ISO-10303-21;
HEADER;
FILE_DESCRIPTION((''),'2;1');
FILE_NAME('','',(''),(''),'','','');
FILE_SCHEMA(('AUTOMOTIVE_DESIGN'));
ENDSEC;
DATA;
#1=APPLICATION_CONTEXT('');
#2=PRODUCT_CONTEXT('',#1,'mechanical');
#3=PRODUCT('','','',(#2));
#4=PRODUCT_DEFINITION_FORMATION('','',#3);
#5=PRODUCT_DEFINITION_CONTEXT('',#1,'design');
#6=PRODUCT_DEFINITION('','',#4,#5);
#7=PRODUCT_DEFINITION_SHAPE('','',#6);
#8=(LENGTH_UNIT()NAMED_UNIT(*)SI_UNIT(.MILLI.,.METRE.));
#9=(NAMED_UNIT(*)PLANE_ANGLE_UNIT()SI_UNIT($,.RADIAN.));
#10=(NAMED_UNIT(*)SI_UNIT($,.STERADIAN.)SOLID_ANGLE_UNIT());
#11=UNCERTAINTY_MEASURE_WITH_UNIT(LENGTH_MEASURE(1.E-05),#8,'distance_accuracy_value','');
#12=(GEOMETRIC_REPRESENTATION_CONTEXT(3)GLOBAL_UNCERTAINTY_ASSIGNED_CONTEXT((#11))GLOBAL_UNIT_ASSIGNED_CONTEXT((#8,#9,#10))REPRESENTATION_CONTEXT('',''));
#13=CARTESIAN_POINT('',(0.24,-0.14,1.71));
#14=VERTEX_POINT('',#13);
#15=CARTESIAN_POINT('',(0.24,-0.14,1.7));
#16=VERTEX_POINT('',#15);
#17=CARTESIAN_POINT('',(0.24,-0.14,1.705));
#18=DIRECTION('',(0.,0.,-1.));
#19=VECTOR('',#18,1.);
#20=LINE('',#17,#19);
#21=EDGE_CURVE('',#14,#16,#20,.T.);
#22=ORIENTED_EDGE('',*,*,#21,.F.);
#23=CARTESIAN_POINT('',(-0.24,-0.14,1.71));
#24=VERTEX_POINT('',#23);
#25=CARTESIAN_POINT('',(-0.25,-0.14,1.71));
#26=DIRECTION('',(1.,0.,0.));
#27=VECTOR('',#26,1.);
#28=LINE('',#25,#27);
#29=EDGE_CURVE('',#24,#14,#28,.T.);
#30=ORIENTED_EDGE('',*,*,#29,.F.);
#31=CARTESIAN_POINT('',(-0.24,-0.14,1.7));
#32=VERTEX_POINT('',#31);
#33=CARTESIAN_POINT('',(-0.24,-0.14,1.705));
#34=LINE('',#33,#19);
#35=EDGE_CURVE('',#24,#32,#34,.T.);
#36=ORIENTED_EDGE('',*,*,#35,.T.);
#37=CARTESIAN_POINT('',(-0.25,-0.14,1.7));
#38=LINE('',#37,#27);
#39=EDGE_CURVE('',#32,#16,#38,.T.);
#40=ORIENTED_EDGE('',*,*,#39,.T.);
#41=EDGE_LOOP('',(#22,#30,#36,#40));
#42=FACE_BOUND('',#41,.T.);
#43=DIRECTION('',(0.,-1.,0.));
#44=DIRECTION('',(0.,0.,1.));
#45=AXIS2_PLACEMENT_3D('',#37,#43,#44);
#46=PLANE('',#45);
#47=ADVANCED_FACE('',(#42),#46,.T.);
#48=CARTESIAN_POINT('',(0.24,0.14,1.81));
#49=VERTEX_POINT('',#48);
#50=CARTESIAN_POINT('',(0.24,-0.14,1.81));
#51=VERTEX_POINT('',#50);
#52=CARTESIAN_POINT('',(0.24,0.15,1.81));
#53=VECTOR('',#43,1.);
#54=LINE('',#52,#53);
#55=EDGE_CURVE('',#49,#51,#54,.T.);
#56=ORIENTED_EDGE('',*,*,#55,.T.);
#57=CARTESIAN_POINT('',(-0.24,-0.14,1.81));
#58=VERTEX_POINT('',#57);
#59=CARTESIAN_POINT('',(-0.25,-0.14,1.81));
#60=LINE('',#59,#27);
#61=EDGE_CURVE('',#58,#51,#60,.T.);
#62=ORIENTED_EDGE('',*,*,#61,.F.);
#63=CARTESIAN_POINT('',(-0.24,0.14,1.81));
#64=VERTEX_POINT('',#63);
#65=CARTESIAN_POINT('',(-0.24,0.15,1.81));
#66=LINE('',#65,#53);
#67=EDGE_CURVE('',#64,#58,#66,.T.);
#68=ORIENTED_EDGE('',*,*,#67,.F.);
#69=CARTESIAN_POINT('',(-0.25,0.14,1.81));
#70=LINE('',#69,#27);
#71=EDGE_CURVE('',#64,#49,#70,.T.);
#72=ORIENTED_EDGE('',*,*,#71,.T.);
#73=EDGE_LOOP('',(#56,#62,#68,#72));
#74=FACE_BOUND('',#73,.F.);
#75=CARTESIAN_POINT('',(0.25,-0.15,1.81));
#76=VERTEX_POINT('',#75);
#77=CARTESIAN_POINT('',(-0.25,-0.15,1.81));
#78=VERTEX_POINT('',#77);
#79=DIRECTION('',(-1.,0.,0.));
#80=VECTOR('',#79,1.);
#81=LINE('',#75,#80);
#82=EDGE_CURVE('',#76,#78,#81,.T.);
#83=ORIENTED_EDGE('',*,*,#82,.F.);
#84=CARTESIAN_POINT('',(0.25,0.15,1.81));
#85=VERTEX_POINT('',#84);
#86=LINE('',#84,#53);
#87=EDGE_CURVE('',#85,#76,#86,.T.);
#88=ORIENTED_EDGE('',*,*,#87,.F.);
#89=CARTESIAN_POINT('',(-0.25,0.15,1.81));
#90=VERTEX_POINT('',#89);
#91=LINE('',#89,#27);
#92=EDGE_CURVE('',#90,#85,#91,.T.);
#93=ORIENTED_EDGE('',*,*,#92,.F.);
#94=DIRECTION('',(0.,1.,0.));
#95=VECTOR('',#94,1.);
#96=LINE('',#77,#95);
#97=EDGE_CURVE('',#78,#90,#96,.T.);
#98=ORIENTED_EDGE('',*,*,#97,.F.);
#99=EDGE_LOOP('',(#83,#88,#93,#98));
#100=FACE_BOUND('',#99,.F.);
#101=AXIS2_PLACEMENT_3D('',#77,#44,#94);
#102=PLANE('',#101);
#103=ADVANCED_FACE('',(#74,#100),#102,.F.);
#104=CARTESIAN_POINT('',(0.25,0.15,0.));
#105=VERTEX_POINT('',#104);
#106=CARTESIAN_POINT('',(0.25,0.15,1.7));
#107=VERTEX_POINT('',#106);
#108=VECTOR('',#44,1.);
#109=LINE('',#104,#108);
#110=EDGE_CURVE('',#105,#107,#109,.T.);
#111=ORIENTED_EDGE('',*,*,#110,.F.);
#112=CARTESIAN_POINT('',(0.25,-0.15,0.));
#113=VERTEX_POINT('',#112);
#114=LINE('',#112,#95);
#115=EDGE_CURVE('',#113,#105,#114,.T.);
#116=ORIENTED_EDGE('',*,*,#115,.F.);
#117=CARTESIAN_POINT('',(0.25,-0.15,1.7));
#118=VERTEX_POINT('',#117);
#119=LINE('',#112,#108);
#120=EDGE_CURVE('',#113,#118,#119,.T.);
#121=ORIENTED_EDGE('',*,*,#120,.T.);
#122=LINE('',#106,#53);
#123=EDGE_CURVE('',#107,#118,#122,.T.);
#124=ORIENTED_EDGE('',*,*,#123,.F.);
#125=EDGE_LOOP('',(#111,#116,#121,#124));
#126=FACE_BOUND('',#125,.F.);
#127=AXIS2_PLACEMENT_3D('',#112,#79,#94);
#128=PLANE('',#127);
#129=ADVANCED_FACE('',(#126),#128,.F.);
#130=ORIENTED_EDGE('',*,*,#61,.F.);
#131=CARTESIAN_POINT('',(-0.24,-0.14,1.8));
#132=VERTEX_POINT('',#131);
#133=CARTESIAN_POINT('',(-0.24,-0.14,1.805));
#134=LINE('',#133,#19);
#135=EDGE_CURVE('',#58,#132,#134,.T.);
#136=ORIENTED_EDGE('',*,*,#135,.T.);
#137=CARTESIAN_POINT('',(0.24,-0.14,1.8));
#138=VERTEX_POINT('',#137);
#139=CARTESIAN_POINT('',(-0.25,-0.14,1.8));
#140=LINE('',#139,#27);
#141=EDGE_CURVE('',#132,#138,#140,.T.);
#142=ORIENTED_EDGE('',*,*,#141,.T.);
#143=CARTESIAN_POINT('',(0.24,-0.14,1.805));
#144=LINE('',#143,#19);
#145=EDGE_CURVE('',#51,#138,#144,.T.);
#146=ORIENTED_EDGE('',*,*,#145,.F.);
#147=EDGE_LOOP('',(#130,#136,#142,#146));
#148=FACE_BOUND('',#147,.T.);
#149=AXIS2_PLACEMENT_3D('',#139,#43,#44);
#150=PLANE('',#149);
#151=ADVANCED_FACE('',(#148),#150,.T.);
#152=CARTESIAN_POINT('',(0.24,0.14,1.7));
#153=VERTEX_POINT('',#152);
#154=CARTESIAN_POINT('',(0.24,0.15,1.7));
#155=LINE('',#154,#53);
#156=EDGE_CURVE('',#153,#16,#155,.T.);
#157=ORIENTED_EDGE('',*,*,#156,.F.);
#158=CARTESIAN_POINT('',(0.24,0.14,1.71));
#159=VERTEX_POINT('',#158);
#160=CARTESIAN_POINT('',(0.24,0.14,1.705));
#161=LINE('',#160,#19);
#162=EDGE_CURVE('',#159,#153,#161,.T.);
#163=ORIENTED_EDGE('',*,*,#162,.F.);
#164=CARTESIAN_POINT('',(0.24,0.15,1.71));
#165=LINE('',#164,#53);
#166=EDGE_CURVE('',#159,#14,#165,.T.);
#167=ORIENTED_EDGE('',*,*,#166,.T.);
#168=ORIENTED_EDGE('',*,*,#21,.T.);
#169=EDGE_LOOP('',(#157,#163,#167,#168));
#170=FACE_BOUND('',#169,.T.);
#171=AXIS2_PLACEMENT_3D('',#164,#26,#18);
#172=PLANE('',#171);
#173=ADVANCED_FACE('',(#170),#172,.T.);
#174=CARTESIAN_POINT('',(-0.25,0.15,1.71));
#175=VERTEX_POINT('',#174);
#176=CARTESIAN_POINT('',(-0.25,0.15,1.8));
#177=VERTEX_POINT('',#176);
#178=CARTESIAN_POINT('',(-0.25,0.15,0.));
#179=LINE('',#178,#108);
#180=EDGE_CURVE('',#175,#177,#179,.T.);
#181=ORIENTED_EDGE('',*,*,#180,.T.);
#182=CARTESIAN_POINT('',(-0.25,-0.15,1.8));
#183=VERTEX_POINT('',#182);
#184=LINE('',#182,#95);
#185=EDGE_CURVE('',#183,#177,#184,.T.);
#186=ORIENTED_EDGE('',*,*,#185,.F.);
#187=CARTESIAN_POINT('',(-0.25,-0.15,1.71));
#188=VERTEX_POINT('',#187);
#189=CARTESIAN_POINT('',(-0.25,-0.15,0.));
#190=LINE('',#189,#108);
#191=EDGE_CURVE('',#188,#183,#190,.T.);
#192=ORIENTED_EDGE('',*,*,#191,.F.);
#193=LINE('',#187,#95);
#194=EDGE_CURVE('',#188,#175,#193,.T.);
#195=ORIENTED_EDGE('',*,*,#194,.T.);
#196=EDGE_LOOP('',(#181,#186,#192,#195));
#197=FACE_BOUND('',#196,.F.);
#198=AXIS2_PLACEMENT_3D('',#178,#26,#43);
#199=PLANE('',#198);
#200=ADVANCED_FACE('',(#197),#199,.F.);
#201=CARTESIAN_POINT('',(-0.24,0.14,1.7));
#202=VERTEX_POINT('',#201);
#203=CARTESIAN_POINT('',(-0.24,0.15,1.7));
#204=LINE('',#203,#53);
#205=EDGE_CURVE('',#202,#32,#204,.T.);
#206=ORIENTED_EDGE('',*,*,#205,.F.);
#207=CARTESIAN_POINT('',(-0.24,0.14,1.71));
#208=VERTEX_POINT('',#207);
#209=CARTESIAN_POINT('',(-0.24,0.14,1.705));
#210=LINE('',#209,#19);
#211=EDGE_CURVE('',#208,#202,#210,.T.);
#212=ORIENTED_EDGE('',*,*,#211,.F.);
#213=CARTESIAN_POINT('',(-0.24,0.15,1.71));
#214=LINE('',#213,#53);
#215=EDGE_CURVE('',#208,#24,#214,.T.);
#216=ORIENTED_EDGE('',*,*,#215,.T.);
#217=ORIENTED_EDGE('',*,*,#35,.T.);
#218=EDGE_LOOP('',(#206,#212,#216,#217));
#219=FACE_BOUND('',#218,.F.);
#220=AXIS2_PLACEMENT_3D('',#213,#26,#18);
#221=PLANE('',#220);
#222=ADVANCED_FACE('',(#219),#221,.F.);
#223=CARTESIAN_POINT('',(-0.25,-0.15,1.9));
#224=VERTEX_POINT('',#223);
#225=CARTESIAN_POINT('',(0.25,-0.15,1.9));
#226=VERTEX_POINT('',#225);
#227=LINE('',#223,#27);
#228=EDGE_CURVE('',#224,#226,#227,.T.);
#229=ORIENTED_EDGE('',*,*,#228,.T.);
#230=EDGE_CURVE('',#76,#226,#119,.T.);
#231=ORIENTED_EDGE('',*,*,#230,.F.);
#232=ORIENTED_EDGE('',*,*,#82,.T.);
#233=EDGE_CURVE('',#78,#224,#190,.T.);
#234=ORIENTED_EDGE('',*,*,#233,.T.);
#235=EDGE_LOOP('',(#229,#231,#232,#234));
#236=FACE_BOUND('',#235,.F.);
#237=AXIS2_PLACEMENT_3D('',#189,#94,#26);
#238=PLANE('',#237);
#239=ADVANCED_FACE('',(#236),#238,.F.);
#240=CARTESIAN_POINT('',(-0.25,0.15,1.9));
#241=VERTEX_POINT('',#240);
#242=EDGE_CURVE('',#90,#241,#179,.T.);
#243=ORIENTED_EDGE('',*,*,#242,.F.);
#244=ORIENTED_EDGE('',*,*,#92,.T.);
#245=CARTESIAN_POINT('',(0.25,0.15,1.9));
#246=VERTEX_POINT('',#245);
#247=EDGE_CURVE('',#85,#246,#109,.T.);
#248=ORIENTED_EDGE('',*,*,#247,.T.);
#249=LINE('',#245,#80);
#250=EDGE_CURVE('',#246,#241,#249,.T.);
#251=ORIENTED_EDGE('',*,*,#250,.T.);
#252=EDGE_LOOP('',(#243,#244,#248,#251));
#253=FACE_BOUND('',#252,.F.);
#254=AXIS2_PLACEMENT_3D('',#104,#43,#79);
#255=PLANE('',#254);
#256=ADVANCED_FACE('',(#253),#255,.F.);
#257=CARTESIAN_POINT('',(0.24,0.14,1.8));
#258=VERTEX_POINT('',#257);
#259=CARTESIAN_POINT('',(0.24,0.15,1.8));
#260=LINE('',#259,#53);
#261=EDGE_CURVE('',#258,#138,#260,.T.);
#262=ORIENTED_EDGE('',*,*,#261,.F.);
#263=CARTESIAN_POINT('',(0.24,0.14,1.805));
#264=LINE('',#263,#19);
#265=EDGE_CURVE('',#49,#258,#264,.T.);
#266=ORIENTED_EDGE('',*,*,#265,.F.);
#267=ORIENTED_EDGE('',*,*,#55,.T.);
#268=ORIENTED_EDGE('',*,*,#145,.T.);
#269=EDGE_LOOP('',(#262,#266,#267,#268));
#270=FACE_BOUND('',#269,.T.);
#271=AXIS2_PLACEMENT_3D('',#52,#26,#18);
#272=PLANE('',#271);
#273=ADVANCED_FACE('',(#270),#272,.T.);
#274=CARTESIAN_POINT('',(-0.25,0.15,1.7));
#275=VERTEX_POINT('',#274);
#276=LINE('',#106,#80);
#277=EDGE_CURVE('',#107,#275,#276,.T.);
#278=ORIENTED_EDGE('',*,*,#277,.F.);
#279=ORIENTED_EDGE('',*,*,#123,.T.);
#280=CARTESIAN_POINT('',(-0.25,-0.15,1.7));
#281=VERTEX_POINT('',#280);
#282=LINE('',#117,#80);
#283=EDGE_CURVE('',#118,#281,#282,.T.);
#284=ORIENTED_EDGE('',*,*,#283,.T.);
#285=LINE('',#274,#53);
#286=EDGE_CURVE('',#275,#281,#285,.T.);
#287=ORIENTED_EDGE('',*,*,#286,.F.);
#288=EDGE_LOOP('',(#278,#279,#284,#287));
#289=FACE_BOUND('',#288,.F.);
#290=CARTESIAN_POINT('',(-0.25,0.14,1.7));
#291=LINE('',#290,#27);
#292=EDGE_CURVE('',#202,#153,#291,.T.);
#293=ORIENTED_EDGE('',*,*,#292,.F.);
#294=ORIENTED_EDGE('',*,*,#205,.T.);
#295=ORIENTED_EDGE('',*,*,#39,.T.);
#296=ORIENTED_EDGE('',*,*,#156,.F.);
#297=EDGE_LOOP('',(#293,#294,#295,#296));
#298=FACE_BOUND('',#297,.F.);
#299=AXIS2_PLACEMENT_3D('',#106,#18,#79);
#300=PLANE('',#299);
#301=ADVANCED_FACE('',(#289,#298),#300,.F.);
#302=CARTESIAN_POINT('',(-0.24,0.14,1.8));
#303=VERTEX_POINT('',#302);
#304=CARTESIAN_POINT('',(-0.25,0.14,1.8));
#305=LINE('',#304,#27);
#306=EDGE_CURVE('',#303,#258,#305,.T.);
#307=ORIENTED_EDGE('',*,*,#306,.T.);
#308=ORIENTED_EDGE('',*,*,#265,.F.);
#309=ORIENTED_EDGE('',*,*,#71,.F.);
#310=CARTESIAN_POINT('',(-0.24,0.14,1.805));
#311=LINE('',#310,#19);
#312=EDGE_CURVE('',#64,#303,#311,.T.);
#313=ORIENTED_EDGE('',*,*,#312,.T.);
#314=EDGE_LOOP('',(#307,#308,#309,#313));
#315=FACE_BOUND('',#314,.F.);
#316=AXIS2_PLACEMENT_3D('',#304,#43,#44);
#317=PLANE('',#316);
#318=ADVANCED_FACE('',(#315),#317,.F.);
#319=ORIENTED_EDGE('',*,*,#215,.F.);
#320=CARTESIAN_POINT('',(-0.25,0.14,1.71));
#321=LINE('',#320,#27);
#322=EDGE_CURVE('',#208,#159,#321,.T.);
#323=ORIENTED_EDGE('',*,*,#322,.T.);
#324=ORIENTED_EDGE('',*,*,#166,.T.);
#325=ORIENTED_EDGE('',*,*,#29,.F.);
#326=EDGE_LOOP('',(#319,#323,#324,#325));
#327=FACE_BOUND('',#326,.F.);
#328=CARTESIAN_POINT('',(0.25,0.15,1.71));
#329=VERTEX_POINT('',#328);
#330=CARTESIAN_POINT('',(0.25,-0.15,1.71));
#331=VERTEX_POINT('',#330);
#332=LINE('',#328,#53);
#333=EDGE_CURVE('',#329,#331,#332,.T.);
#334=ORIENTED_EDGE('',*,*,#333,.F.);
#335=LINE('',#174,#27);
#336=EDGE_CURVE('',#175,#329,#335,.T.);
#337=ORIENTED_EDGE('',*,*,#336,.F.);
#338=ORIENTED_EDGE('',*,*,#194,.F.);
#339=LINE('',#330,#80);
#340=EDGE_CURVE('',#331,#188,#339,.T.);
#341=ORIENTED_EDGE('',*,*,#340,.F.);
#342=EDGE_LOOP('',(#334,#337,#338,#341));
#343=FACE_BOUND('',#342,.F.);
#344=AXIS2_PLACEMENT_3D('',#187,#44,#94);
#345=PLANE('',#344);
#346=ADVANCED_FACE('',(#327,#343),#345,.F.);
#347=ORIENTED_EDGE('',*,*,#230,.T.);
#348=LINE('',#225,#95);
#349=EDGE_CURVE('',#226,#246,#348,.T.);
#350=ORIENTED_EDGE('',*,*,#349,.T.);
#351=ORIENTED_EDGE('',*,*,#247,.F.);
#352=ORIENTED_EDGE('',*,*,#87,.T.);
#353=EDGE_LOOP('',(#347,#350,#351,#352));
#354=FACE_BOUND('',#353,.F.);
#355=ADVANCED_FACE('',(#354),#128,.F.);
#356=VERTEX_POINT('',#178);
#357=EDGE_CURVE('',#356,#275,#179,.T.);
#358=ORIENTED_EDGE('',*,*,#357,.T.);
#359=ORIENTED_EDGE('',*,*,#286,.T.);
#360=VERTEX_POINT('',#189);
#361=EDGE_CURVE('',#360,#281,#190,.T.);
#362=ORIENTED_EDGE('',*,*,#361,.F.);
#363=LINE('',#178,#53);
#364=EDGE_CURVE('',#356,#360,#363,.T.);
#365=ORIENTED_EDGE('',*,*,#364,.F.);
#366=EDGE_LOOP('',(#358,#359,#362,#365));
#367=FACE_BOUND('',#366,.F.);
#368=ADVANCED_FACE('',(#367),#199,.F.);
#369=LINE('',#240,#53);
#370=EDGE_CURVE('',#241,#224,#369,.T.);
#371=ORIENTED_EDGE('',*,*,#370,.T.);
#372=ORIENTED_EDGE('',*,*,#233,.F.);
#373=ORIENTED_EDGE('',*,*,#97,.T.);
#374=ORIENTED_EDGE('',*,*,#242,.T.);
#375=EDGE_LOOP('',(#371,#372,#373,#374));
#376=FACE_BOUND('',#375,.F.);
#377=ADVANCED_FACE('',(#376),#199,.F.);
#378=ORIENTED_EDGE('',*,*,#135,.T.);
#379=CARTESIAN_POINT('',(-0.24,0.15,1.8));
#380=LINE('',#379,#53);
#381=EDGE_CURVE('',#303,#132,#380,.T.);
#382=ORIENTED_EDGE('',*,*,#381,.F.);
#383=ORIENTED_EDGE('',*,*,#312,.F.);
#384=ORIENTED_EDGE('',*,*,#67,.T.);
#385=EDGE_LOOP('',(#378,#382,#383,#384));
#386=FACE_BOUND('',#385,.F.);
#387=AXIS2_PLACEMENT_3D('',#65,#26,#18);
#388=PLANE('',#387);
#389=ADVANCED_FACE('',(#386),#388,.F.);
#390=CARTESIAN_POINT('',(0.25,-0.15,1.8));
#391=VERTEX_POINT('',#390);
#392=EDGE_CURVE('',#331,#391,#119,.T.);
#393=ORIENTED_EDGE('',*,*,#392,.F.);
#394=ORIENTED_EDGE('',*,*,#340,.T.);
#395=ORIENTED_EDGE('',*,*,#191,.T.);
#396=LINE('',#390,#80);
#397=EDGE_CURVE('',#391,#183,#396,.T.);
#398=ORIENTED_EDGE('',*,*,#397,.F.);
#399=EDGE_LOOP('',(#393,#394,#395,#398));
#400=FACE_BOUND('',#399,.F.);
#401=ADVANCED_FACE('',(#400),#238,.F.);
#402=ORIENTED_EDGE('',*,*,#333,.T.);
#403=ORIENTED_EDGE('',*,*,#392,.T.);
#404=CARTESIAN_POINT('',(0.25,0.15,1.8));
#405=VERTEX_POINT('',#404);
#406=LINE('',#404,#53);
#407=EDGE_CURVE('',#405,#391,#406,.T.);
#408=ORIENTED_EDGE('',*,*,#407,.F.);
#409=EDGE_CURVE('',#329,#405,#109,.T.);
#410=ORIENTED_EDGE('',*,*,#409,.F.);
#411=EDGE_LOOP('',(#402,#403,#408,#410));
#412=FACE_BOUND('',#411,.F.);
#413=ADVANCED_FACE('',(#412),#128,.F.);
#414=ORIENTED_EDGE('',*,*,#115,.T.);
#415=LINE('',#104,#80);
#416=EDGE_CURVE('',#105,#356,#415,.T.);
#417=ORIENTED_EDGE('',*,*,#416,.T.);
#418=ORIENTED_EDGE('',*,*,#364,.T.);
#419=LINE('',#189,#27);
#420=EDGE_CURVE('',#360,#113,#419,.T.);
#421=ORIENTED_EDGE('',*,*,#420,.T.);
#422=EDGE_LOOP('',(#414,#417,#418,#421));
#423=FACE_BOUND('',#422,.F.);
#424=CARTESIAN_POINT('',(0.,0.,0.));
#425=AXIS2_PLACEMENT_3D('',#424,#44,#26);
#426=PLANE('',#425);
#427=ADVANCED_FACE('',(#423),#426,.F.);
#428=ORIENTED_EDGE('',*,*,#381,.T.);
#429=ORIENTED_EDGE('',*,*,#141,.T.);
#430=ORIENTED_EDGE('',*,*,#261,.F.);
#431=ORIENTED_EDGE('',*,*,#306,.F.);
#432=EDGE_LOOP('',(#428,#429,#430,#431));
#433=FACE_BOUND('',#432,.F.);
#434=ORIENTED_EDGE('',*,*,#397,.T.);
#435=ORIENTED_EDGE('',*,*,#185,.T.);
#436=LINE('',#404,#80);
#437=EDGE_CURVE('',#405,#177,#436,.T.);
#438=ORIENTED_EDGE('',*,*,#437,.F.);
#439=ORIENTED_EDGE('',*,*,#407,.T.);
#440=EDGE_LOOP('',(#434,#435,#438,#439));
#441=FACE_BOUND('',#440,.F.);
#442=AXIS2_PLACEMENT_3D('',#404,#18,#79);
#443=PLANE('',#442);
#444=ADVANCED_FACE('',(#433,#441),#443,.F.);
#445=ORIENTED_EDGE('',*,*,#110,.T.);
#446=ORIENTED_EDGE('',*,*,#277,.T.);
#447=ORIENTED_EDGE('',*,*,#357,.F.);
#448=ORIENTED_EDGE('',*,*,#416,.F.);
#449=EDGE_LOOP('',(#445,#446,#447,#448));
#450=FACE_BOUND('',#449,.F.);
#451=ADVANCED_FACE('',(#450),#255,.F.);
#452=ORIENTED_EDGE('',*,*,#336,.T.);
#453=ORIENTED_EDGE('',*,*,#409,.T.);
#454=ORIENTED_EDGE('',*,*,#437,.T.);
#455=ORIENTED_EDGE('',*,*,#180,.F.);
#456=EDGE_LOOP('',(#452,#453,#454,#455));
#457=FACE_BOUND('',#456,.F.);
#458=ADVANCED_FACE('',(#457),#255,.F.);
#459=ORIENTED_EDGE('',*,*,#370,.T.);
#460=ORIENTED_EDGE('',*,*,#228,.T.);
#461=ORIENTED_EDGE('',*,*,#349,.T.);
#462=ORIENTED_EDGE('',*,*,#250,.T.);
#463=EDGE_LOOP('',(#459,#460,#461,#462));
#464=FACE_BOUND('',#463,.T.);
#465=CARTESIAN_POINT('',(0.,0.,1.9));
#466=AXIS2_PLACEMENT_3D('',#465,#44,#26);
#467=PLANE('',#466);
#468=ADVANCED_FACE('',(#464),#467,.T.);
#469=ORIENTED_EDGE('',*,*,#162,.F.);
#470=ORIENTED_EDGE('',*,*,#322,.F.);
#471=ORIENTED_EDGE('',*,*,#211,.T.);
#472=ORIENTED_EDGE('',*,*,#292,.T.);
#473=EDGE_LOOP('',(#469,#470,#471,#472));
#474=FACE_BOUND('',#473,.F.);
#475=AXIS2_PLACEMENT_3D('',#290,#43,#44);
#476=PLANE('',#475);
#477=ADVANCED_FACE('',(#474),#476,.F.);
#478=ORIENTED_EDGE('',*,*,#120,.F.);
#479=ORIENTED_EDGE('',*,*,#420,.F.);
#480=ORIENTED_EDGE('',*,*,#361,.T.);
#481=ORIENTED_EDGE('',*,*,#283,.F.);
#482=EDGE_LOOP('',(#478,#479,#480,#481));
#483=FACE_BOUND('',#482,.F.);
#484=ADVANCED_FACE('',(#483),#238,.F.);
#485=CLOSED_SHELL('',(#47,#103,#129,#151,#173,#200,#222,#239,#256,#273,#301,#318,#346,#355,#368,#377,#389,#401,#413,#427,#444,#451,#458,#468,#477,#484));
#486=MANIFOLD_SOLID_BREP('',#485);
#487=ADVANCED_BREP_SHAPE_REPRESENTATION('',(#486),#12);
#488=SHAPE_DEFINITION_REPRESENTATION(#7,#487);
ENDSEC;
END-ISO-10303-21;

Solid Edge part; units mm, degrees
sketch "Sketch1" plane through (0, 0, 0) normal (0, 0, 1) x (1, 0, 0)
  line L0 (-0.25, -0.15) -> (0.25, -0.15)
  line L1 (0.25, -0.15) -> (0.25, 0.15)
  line L2 (0.25, 0.15) -> (-0.25, 0.15)
  line L3 (-0.25, 0.15) -> (-0.25, -0.15)
  dimension "D1" = 0.5
  dimension "D2" = 0.3
extrude "Protrusion1" add sketch "Sketch1" along normal blind 1.9
sketch "Sketch2" plane through (0, 0.15, 0.95) normal (0, 1, 0) x (-1, 0, 0)
  line L0 (-0.25, 0.76) -> (-0.25, 0.75)
  line L1 (-0.25, 0.75) -> (-0.24, 0.75)
  line L2 (-0.24, 0.76) -> (-0.24, 0.75)
  line L3 (-0.24, 0.76) -> (-0.25, 0.76)
  line L4 (-0.25, 0.85) -> (-0.24, 0.85)
  line L5 (-0.24, 0.86) -> (-0.24, 0.85)
  line L6 (-0.24, 0.86) -> (-0.25, 0.86)
  line L7 (-0.25, 0.86) -> (-0.25, 0.85)
  line L8 (0.25, 0.76) -> (0.24, 0.76)
  line L9 (0.24, 0.76) -> (0.24, 0.75)
  line L10 (0.24, 0.75) -> (0.25, 0.75)
  line L11 (0.25, 0.76) -> (0.25, 0.75)
  line L12 (0.25, 0.86) -> (0.25, 0.85)
  line L13 (0.24, 0.85) -> (0.25, 0.85)
  line L14 (0.24, 0.86) -> (0.24, 0.85)
  line L15 (0.25, 0.86) -> (0.24, 0.86)
  dimension "D1" = 0.01
  dimension "D2" = 0.01
  dimension "D3" = 1.7
  dimension "D4" = 0.1
extrude "Cutout1" cut sketch "Sketch2" against normal through all
sketch "Sketch3" plane through (-0.25, 0, 0.85) normal (-1, 0, 0) x (0, 0, 1)
  line L0 (0.86, 0.15) -> (0.85, 0.15)
  line L1 (0.85, 0.14) -> (0.85, 0.15)
  line L2 (0.85, 0.14) -> (0.86, 0.14)
  line L3 (0.86, 0.14) -> (0.86, 0.15)
  line L4 (0.95, 0.15) -> (0.96, 0.15)
  line L5 (0.96, 0.14) -> (0.96, 0.15)
  line L6 (0.95, 0.14) -> (0.96, 0.14)
  line L7 (0.95, 0.14) -> (0.95, 0.15)
  line L8 (0.95, -0.15) -> (0.95, -0.14)
  line L9 (0.95, -0.14) -> (0.96, -0.14)
  line L10 (0.96, -0.15) -> (0.96, -0.14)
  line L11 (0.95, -0.15) -> (0.96, -0.15)
  line L12 (0.85, -0.15) -> (0.85, -0.14)
  line L13 (0.85, -0.14) -> (0.86, -0.14)
  line L14 (0.86, -0.15) -> (0.86, -0.14)
  line L15 (0.85, -0.15) -> (0.86, -0.15)
  dimension "D1" = 0.01
extrude "Cutout2" cut sketch "Sketch3" against normal through all
